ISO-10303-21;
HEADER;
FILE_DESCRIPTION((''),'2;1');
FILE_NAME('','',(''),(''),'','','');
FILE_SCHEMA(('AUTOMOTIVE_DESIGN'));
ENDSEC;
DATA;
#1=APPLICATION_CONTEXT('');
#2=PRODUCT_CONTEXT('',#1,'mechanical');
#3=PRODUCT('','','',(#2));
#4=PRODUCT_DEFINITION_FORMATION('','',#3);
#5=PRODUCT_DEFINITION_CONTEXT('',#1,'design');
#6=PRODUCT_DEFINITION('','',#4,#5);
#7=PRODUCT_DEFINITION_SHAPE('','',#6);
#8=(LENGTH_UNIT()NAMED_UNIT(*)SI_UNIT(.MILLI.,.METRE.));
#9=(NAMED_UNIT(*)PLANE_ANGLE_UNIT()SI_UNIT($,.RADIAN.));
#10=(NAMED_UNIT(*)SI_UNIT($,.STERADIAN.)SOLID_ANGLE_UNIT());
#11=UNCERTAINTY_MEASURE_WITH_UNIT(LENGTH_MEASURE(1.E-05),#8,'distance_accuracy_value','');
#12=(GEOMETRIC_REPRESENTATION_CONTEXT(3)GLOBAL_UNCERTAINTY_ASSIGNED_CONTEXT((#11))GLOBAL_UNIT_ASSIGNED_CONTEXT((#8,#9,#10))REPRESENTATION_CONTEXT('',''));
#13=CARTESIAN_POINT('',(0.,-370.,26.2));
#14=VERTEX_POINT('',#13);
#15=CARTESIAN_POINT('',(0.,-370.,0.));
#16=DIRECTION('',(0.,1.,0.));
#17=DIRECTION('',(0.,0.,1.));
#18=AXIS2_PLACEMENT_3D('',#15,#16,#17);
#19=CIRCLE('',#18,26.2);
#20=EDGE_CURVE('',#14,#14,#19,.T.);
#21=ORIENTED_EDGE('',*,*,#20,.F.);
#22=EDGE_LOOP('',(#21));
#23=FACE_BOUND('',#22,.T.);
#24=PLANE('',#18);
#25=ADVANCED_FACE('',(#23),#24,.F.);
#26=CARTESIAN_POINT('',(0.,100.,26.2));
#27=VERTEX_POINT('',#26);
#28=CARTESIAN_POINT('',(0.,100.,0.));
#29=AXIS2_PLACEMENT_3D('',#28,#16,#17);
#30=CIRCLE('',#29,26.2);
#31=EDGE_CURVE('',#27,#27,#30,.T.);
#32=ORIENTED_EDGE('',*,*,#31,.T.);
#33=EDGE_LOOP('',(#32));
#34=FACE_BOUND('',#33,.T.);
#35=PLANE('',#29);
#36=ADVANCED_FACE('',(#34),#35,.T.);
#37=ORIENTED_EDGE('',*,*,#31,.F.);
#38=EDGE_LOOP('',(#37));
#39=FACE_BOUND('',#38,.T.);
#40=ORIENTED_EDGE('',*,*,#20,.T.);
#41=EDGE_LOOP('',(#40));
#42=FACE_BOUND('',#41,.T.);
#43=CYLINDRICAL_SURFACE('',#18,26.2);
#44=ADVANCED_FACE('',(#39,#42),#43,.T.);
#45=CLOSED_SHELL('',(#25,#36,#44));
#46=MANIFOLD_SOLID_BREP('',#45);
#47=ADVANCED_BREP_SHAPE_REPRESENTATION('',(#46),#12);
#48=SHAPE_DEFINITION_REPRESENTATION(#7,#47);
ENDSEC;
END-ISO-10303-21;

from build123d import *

# Parameters (mm, degrees)
BOSS_EXTRUDE1_DEPTH      = 100
BOSS_EXTRUDE1_DEPTH_BACK = 370
SKETCH2_R                = 26.2


with BuildPart() as part:
    # Sketch2 → Boss-Extrude1 (new, two sides: drawn at the far end of the back side and taken through both)
    with BuildSketch(Plane(origin=(0, 0, 0), x_dir=(1, 0, 0), z_dir=(0, 1, 0)).offset(-BOSS_EXTRUDE1_DEPTH_BACK)):
        with Locations(Location((0, 0, 0), (0, 0, 270))):
            Circle(SKETCH2_R)
    extrude(amount=BOSS_EXTRUDE1_DEPTH + BOSS_EXTRUDE1_DEPTH_BACK)


solid = part.part
